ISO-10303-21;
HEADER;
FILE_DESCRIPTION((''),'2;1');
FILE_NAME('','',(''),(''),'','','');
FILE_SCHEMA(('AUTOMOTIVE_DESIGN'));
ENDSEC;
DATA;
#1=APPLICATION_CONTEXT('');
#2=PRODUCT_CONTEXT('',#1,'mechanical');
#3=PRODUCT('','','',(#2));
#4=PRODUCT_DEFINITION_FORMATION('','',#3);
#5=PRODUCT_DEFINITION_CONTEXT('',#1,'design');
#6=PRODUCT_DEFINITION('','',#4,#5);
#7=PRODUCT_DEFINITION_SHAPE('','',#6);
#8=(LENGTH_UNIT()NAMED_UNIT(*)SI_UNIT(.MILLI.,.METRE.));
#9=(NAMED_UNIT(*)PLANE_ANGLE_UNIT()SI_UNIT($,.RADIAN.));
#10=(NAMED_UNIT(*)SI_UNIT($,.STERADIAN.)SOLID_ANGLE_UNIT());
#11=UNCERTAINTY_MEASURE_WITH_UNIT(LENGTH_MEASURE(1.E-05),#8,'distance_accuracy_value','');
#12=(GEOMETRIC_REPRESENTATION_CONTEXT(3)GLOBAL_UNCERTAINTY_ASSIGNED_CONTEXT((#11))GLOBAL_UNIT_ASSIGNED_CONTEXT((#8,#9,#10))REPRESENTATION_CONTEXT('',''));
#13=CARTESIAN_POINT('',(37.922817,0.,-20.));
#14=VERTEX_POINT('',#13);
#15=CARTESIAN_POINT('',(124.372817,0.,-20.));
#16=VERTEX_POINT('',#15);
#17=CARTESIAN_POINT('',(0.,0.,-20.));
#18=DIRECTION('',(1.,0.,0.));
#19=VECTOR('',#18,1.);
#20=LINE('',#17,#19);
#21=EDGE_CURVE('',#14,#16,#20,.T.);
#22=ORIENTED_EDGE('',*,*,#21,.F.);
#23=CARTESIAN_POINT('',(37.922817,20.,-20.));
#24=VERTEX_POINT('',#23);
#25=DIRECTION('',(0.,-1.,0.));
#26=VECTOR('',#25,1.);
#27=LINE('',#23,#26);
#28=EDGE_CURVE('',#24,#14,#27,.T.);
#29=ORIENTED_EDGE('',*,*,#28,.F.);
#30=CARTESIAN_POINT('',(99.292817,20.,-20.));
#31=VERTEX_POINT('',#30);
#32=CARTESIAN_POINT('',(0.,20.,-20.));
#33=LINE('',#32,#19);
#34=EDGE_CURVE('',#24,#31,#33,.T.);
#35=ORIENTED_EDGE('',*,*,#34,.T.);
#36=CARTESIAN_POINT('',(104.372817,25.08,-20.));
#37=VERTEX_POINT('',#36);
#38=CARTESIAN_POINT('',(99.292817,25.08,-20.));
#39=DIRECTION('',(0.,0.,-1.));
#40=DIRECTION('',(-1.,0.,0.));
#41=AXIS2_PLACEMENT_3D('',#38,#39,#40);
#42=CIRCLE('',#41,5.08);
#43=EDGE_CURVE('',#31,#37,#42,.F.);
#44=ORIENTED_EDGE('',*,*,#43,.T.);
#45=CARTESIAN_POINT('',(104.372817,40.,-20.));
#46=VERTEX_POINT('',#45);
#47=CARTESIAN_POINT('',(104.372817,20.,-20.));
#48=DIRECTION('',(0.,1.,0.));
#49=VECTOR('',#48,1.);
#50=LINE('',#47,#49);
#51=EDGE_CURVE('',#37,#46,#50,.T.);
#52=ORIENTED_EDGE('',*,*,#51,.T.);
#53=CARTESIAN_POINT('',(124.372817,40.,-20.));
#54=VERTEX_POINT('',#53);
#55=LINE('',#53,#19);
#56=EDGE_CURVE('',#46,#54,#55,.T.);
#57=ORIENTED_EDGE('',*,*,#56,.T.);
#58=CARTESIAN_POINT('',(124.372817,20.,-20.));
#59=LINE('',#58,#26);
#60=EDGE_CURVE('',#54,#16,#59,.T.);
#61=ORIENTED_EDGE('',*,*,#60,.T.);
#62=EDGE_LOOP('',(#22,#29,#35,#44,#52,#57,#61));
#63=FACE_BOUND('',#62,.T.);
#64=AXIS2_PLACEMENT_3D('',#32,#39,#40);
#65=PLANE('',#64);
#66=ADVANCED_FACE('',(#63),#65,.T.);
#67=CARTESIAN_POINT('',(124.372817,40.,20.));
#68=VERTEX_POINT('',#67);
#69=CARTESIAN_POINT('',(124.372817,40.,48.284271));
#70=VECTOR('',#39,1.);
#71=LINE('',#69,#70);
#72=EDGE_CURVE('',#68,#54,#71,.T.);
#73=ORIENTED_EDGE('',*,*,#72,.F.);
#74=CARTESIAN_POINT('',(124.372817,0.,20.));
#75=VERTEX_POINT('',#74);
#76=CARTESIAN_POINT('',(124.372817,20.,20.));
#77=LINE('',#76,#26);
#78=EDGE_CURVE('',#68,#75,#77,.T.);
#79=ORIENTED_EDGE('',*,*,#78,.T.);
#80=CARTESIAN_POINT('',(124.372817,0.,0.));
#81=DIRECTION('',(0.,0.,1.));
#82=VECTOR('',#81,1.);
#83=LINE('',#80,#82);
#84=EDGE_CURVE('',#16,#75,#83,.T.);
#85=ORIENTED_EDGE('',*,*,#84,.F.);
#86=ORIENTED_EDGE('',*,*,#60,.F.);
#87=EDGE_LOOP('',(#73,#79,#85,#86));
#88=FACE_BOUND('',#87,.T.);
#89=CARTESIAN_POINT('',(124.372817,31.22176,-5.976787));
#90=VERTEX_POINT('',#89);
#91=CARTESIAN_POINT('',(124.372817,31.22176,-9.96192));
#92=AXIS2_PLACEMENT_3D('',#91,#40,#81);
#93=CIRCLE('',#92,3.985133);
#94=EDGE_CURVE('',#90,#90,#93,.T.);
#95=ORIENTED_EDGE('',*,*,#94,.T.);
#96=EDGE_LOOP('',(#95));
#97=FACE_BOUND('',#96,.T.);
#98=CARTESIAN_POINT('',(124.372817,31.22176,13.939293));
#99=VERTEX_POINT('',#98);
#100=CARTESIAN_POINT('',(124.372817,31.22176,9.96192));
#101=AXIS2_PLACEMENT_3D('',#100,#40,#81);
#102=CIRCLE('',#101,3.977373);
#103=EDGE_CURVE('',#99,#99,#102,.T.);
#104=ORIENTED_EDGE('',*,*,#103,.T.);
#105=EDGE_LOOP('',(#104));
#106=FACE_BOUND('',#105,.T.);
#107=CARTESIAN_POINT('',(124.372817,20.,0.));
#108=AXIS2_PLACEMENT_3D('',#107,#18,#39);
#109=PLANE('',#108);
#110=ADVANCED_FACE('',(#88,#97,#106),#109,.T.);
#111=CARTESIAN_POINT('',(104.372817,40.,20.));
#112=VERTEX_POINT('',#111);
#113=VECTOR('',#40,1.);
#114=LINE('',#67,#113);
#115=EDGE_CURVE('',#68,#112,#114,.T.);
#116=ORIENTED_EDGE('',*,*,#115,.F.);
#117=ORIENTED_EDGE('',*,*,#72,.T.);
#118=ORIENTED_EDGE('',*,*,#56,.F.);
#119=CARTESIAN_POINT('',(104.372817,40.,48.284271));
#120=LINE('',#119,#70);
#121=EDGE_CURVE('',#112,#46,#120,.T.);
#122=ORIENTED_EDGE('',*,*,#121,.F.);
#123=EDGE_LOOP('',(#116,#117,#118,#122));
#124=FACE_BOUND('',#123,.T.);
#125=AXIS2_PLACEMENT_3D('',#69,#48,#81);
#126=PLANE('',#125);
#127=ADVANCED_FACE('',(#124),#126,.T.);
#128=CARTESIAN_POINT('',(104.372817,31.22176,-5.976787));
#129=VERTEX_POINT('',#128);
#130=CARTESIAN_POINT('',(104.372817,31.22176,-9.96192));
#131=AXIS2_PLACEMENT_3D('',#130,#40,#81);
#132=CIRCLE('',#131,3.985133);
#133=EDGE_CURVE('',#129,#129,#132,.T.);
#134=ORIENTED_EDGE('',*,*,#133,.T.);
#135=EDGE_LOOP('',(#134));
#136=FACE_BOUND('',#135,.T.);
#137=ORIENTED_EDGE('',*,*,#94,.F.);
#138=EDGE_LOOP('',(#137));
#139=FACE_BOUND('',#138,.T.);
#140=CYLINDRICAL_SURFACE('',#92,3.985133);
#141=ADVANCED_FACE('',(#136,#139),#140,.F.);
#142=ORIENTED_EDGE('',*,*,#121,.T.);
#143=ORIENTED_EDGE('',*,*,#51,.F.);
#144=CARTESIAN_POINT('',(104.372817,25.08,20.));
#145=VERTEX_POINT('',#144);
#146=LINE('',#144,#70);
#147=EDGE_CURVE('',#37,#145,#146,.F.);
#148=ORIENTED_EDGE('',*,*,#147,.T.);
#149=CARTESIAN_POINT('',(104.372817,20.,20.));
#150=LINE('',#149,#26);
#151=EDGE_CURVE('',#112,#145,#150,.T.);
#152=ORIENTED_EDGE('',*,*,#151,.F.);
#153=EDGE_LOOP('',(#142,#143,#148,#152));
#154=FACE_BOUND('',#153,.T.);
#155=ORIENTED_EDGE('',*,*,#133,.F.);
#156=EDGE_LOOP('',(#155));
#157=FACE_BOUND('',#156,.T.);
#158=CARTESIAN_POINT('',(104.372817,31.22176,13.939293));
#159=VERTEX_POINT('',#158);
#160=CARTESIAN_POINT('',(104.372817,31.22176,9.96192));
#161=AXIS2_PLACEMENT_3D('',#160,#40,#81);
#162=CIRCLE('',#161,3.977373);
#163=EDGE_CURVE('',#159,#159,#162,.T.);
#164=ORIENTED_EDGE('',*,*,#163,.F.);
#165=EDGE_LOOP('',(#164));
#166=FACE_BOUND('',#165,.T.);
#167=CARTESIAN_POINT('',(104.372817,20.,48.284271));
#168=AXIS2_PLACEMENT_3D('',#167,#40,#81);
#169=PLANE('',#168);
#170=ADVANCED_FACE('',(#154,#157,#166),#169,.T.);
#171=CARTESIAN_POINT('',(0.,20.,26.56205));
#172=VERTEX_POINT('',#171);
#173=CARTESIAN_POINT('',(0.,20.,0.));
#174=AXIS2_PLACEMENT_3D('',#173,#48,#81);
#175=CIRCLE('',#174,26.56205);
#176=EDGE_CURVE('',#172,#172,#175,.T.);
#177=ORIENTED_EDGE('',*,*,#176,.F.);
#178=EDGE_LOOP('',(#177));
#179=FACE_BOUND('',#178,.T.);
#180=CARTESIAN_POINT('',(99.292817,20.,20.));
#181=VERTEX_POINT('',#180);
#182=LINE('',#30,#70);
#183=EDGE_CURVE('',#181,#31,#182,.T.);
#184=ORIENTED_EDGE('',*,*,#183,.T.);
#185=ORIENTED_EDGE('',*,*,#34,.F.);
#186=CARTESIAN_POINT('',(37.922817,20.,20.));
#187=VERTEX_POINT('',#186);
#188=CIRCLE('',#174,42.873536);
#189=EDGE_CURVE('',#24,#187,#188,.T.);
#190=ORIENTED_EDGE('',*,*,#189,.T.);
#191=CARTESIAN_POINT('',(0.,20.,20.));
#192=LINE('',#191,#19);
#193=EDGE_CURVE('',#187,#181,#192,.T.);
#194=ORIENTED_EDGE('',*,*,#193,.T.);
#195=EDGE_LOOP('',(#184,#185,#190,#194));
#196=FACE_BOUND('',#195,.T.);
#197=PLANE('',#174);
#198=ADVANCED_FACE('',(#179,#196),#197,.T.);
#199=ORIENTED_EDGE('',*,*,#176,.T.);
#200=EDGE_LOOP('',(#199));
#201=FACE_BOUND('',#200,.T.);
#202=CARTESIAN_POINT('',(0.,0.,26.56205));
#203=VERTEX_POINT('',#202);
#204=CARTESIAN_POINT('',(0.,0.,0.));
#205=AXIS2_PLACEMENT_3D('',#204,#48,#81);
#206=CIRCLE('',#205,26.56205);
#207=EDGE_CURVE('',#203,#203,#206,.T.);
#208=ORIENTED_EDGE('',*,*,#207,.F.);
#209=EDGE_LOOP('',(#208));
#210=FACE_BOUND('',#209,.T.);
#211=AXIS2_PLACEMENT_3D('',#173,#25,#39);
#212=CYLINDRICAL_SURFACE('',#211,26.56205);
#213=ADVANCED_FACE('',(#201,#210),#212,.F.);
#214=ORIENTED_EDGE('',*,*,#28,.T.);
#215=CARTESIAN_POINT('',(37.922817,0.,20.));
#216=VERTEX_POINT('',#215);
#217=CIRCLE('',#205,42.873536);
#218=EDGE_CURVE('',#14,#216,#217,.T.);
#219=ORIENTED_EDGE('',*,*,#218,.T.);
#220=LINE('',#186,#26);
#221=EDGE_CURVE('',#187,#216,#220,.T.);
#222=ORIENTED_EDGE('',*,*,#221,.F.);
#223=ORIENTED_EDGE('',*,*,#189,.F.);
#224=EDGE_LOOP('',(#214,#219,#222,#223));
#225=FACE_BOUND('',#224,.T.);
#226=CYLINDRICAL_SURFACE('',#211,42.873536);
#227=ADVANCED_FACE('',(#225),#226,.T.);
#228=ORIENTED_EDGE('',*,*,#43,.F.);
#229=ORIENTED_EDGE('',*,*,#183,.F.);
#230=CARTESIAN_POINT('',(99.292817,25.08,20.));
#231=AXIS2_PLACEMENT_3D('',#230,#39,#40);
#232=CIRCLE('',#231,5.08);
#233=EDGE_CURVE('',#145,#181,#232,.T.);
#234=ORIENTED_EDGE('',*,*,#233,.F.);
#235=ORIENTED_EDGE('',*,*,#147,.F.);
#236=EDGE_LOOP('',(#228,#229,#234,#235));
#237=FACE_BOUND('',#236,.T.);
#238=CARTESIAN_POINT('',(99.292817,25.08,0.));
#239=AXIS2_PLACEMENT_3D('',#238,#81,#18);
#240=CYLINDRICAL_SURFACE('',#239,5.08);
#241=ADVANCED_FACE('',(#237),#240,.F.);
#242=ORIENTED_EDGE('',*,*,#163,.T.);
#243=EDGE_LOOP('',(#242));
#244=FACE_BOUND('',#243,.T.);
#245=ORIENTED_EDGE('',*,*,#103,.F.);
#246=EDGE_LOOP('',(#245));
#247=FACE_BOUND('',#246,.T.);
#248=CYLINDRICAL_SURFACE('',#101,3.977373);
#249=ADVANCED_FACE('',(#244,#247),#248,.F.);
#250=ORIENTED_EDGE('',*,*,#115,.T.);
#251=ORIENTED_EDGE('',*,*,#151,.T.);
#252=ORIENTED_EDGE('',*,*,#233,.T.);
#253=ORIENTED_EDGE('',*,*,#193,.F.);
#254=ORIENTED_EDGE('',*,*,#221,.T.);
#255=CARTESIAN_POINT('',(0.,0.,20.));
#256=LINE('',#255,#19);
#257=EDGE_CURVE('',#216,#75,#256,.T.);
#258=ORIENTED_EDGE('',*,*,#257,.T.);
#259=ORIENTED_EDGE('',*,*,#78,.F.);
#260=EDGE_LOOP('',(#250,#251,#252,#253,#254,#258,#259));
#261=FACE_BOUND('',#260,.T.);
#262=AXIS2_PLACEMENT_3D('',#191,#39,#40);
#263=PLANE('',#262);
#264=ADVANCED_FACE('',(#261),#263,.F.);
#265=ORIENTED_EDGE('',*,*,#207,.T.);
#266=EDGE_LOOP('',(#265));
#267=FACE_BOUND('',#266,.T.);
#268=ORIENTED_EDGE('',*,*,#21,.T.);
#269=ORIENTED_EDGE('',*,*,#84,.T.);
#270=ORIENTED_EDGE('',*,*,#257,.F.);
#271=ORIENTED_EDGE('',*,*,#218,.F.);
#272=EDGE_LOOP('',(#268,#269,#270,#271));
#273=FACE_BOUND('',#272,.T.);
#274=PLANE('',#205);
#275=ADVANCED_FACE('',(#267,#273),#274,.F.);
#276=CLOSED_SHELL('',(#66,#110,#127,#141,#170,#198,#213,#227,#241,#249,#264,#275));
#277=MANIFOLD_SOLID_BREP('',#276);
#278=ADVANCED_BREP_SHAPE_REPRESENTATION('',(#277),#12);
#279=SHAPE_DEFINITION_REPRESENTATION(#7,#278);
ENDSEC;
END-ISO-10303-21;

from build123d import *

# Parameters (mm, degrees)
SKETCH1_R           = 26.56205
BOSS_EXTRUDE2_DEPTH = 20
SKETCH2_W           = 20
SKETCH2_H           = 20
BOSS_EXTRUDE3_DEPTH = 40
SKETCH3_R           = 3.9773733
SKETCH3_R_2         = 3.985133
CUT_EXTRUDE1_DEPTH  = 159.491729693
FILLET1_R           = 5.08


with BuildPart() as part:
    # Sketch1 → Boss-Extrude2 (new body)
    # profile 1 of 3: a face of its own
    with BuildSketch(Plane(origin=(0, 0, 0), x_dir=(1, 0, 0), z_dir=(0, 1, 0))):
        with BuildLine():
            Line((37.922816996, -20), (37.922816996, 20))
            ThreePointArc((37.922816996, 20), (-42.873535531, 0), (37.922816996, -20))
        make_face()
        with Locations(Location((0, 0, 0), (0, 0, 270))):
            Circle(SKETCH1_R, mode=Mode.SUBTRACT)
    # profile 2 of 3: a face of its own
    with BuildSketch(Plane(origin=(0, 0, 0), x_dir=(1, 0, 0), z_dir=(0, 1, 0))):
        with BuildLine():
            Line((124.372816996, 20), (37.922816996, 20))
            ThreePointArc((37.922816996, 20), (41.617456018, 10.301815544), (42.873535531, 0))
            ThreePointArc((42.873535531, 0), (41.617456018, -10.301815544), (37.922816996, -20))
            Line((37.922816996, -20), (124.372816996, -20))
            Line((124.372816996, -20), (124.372816996, 20))
        make_face()
    # profile 3 of 3: a face of its own
    with BuildSketch(Plane(origin=(0, 0, 0), x_dir=(1, 0, 0), z_dir=(0, 1, 0))):
        with BuildLine():
            ThreePointArc((42.873535531, 0), (41.617456018, 10.301815544), (37.922816996, 20))
            Line((37.922816996, 20), (37.922816996, -20))
            ThreePointArc((37.922816996, -20), (41.617456018, -10.301815544), (42.873535531, 0))
        make_face()
    extrude(amount=BOSS_EXTRUDE2_DEPTH)

    # Sketch2 → Boss-Extrude3 (add)
    with BuildSketch(Plane(origin=(0, 0, -20), x_dir=(-1, 0, 0), z_dir=(0, 0, -1))):
        with Locations((-114.372816996, 30)):
            Rectangle(SKETCH2_W, SKETCH2_H)
    extrude(amount=-BOSS_EXTRUDE3_DEPTH)

    # Sketch3 → Cut-Extrude1 (cut, through all)
    with BuildSketch(Plane.ZY.offset(-104.372816996)):
        with Locations((9.96192, 31.22176)):
            Circle(SKETCH3_R)
        with Locations((-9.96192, 31.22176)):
            Circle(SKETCH3_R_2)
    extrude(amount=-CUT_EXTRUDE1_DEPTH, mode=Mode.SUBTRACT)

    # Fillet1
    fillet1_edges = [part.edges().sort_by_distance(p)[0] for p in [
        (104.372816996, 20, 0),
    ]]
    fillet(fillet1_edges, radius=FILLET1_R)


solid = part.part
